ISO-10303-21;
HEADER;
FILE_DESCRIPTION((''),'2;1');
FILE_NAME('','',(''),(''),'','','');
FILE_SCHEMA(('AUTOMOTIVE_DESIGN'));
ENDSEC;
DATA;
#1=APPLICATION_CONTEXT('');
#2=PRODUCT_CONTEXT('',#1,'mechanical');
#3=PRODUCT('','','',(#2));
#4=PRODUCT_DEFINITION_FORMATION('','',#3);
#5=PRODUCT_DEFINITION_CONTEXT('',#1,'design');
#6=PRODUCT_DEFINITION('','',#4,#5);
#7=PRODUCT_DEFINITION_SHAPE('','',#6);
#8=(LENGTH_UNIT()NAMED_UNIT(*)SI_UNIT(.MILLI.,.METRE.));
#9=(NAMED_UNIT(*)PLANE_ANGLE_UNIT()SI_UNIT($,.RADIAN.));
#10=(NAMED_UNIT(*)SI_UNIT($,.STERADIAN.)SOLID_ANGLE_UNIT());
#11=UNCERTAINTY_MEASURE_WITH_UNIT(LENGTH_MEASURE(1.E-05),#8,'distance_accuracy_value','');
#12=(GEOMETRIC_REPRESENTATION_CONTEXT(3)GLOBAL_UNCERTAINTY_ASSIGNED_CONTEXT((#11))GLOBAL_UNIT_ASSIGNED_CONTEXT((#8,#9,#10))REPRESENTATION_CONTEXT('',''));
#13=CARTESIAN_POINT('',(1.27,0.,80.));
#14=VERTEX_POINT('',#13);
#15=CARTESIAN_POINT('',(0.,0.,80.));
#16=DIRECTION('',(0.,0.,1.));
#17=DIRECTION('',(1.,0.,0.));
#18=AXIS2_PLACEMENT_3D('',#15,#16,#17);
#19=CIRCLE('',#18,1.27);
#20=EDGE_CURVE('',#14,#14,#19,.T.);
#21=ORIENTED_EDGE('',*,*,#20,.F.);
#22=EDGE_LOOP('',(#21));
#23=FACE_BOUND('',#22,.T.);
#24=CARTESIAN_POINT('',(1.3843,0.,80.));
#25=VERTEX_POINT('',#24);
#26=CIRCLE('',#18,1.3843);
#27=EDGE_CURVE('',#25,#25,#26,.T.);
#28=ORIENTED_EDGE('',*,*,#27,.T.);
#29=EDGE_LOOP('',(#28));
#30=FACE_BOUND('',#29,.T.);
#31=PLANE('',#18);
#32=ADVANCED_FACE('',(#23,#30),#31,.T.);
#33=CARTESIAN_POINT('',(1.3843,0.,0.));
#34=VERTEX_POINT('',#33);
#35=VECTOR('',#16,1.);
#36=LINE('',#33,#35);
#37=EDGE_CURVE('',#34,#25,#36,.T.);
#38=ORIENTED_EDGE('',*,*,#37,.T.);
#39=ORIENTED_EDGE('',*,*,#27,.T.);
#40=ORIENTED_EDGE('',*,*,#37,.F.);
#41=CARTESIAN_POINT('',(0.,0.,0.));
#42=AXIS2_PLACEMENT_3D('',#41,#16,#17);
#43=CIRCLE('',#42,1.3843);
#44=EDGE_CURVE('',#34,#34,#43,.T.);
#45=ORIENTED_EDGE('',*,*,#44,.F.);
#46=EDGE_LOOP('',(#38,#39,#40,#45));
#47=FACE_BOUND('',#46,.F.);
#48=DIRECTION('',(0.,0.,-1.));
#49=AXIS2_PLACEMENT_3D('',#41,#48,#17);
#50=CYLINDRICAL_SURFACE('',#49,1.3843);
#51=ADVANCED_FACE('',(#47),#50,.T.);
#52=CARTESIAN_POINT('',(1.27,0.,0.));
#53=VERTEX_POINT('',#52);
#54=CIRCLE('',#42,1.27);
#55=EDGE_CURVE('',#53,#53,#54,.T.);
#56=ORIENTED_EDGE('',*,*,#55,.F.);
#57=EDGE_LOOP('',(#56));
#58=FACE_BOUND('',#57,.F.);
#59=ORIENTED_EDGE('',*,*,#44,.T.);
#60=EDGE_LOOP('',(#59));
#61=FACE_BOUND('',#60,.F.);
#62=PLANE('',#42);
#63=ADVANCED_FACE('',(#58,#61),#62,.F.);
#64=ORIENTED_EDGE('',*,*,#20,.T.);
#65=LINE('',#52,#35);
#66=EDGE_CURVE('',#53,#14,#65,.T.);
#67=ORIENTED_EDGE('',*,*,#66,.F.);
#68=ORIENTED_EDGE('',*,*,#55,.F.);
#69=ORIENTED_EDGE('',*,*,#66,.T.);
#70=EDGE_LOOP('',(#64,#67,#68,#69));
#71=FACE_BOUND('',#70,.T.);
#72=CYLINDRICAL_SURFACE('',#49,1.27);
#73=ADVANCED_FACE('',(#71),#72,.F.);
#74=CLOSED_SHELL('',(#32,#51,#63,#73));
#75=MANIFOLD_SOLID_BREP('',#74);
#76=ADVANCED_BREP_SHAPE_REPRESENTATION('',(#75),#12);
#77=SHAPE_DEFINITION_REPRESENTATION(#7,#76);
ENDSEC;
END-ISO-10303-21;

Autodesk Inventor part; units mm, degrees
ref_plane "YZ Plane" through (0, 0, 0) normal (1, 0, 0) x (0, 1, 0)
ref_plane "XZ Plane" through (0, 0, 0) normal (0, 1, 0) x (-1, 0, 0)
ref_plane "XY Plane" through (0, 0, 0) normal (0, 0, 1) x (1, 0, 0)
sketch "Sketch1" plane through (0, 0, 0) normal (0, 0, 1) x (1, 0, 0)
  circle A0 centre (0, 0) radius 1.3843
  circle A1 centre (0, 0) radius 1.27
  dimension "d0" = 2.7686
  dimension "d1" = 2.54
extrude "Extrusion1" add sketch "Sketch1" along normal blind 80
properties part number "Guide_Tubing"
